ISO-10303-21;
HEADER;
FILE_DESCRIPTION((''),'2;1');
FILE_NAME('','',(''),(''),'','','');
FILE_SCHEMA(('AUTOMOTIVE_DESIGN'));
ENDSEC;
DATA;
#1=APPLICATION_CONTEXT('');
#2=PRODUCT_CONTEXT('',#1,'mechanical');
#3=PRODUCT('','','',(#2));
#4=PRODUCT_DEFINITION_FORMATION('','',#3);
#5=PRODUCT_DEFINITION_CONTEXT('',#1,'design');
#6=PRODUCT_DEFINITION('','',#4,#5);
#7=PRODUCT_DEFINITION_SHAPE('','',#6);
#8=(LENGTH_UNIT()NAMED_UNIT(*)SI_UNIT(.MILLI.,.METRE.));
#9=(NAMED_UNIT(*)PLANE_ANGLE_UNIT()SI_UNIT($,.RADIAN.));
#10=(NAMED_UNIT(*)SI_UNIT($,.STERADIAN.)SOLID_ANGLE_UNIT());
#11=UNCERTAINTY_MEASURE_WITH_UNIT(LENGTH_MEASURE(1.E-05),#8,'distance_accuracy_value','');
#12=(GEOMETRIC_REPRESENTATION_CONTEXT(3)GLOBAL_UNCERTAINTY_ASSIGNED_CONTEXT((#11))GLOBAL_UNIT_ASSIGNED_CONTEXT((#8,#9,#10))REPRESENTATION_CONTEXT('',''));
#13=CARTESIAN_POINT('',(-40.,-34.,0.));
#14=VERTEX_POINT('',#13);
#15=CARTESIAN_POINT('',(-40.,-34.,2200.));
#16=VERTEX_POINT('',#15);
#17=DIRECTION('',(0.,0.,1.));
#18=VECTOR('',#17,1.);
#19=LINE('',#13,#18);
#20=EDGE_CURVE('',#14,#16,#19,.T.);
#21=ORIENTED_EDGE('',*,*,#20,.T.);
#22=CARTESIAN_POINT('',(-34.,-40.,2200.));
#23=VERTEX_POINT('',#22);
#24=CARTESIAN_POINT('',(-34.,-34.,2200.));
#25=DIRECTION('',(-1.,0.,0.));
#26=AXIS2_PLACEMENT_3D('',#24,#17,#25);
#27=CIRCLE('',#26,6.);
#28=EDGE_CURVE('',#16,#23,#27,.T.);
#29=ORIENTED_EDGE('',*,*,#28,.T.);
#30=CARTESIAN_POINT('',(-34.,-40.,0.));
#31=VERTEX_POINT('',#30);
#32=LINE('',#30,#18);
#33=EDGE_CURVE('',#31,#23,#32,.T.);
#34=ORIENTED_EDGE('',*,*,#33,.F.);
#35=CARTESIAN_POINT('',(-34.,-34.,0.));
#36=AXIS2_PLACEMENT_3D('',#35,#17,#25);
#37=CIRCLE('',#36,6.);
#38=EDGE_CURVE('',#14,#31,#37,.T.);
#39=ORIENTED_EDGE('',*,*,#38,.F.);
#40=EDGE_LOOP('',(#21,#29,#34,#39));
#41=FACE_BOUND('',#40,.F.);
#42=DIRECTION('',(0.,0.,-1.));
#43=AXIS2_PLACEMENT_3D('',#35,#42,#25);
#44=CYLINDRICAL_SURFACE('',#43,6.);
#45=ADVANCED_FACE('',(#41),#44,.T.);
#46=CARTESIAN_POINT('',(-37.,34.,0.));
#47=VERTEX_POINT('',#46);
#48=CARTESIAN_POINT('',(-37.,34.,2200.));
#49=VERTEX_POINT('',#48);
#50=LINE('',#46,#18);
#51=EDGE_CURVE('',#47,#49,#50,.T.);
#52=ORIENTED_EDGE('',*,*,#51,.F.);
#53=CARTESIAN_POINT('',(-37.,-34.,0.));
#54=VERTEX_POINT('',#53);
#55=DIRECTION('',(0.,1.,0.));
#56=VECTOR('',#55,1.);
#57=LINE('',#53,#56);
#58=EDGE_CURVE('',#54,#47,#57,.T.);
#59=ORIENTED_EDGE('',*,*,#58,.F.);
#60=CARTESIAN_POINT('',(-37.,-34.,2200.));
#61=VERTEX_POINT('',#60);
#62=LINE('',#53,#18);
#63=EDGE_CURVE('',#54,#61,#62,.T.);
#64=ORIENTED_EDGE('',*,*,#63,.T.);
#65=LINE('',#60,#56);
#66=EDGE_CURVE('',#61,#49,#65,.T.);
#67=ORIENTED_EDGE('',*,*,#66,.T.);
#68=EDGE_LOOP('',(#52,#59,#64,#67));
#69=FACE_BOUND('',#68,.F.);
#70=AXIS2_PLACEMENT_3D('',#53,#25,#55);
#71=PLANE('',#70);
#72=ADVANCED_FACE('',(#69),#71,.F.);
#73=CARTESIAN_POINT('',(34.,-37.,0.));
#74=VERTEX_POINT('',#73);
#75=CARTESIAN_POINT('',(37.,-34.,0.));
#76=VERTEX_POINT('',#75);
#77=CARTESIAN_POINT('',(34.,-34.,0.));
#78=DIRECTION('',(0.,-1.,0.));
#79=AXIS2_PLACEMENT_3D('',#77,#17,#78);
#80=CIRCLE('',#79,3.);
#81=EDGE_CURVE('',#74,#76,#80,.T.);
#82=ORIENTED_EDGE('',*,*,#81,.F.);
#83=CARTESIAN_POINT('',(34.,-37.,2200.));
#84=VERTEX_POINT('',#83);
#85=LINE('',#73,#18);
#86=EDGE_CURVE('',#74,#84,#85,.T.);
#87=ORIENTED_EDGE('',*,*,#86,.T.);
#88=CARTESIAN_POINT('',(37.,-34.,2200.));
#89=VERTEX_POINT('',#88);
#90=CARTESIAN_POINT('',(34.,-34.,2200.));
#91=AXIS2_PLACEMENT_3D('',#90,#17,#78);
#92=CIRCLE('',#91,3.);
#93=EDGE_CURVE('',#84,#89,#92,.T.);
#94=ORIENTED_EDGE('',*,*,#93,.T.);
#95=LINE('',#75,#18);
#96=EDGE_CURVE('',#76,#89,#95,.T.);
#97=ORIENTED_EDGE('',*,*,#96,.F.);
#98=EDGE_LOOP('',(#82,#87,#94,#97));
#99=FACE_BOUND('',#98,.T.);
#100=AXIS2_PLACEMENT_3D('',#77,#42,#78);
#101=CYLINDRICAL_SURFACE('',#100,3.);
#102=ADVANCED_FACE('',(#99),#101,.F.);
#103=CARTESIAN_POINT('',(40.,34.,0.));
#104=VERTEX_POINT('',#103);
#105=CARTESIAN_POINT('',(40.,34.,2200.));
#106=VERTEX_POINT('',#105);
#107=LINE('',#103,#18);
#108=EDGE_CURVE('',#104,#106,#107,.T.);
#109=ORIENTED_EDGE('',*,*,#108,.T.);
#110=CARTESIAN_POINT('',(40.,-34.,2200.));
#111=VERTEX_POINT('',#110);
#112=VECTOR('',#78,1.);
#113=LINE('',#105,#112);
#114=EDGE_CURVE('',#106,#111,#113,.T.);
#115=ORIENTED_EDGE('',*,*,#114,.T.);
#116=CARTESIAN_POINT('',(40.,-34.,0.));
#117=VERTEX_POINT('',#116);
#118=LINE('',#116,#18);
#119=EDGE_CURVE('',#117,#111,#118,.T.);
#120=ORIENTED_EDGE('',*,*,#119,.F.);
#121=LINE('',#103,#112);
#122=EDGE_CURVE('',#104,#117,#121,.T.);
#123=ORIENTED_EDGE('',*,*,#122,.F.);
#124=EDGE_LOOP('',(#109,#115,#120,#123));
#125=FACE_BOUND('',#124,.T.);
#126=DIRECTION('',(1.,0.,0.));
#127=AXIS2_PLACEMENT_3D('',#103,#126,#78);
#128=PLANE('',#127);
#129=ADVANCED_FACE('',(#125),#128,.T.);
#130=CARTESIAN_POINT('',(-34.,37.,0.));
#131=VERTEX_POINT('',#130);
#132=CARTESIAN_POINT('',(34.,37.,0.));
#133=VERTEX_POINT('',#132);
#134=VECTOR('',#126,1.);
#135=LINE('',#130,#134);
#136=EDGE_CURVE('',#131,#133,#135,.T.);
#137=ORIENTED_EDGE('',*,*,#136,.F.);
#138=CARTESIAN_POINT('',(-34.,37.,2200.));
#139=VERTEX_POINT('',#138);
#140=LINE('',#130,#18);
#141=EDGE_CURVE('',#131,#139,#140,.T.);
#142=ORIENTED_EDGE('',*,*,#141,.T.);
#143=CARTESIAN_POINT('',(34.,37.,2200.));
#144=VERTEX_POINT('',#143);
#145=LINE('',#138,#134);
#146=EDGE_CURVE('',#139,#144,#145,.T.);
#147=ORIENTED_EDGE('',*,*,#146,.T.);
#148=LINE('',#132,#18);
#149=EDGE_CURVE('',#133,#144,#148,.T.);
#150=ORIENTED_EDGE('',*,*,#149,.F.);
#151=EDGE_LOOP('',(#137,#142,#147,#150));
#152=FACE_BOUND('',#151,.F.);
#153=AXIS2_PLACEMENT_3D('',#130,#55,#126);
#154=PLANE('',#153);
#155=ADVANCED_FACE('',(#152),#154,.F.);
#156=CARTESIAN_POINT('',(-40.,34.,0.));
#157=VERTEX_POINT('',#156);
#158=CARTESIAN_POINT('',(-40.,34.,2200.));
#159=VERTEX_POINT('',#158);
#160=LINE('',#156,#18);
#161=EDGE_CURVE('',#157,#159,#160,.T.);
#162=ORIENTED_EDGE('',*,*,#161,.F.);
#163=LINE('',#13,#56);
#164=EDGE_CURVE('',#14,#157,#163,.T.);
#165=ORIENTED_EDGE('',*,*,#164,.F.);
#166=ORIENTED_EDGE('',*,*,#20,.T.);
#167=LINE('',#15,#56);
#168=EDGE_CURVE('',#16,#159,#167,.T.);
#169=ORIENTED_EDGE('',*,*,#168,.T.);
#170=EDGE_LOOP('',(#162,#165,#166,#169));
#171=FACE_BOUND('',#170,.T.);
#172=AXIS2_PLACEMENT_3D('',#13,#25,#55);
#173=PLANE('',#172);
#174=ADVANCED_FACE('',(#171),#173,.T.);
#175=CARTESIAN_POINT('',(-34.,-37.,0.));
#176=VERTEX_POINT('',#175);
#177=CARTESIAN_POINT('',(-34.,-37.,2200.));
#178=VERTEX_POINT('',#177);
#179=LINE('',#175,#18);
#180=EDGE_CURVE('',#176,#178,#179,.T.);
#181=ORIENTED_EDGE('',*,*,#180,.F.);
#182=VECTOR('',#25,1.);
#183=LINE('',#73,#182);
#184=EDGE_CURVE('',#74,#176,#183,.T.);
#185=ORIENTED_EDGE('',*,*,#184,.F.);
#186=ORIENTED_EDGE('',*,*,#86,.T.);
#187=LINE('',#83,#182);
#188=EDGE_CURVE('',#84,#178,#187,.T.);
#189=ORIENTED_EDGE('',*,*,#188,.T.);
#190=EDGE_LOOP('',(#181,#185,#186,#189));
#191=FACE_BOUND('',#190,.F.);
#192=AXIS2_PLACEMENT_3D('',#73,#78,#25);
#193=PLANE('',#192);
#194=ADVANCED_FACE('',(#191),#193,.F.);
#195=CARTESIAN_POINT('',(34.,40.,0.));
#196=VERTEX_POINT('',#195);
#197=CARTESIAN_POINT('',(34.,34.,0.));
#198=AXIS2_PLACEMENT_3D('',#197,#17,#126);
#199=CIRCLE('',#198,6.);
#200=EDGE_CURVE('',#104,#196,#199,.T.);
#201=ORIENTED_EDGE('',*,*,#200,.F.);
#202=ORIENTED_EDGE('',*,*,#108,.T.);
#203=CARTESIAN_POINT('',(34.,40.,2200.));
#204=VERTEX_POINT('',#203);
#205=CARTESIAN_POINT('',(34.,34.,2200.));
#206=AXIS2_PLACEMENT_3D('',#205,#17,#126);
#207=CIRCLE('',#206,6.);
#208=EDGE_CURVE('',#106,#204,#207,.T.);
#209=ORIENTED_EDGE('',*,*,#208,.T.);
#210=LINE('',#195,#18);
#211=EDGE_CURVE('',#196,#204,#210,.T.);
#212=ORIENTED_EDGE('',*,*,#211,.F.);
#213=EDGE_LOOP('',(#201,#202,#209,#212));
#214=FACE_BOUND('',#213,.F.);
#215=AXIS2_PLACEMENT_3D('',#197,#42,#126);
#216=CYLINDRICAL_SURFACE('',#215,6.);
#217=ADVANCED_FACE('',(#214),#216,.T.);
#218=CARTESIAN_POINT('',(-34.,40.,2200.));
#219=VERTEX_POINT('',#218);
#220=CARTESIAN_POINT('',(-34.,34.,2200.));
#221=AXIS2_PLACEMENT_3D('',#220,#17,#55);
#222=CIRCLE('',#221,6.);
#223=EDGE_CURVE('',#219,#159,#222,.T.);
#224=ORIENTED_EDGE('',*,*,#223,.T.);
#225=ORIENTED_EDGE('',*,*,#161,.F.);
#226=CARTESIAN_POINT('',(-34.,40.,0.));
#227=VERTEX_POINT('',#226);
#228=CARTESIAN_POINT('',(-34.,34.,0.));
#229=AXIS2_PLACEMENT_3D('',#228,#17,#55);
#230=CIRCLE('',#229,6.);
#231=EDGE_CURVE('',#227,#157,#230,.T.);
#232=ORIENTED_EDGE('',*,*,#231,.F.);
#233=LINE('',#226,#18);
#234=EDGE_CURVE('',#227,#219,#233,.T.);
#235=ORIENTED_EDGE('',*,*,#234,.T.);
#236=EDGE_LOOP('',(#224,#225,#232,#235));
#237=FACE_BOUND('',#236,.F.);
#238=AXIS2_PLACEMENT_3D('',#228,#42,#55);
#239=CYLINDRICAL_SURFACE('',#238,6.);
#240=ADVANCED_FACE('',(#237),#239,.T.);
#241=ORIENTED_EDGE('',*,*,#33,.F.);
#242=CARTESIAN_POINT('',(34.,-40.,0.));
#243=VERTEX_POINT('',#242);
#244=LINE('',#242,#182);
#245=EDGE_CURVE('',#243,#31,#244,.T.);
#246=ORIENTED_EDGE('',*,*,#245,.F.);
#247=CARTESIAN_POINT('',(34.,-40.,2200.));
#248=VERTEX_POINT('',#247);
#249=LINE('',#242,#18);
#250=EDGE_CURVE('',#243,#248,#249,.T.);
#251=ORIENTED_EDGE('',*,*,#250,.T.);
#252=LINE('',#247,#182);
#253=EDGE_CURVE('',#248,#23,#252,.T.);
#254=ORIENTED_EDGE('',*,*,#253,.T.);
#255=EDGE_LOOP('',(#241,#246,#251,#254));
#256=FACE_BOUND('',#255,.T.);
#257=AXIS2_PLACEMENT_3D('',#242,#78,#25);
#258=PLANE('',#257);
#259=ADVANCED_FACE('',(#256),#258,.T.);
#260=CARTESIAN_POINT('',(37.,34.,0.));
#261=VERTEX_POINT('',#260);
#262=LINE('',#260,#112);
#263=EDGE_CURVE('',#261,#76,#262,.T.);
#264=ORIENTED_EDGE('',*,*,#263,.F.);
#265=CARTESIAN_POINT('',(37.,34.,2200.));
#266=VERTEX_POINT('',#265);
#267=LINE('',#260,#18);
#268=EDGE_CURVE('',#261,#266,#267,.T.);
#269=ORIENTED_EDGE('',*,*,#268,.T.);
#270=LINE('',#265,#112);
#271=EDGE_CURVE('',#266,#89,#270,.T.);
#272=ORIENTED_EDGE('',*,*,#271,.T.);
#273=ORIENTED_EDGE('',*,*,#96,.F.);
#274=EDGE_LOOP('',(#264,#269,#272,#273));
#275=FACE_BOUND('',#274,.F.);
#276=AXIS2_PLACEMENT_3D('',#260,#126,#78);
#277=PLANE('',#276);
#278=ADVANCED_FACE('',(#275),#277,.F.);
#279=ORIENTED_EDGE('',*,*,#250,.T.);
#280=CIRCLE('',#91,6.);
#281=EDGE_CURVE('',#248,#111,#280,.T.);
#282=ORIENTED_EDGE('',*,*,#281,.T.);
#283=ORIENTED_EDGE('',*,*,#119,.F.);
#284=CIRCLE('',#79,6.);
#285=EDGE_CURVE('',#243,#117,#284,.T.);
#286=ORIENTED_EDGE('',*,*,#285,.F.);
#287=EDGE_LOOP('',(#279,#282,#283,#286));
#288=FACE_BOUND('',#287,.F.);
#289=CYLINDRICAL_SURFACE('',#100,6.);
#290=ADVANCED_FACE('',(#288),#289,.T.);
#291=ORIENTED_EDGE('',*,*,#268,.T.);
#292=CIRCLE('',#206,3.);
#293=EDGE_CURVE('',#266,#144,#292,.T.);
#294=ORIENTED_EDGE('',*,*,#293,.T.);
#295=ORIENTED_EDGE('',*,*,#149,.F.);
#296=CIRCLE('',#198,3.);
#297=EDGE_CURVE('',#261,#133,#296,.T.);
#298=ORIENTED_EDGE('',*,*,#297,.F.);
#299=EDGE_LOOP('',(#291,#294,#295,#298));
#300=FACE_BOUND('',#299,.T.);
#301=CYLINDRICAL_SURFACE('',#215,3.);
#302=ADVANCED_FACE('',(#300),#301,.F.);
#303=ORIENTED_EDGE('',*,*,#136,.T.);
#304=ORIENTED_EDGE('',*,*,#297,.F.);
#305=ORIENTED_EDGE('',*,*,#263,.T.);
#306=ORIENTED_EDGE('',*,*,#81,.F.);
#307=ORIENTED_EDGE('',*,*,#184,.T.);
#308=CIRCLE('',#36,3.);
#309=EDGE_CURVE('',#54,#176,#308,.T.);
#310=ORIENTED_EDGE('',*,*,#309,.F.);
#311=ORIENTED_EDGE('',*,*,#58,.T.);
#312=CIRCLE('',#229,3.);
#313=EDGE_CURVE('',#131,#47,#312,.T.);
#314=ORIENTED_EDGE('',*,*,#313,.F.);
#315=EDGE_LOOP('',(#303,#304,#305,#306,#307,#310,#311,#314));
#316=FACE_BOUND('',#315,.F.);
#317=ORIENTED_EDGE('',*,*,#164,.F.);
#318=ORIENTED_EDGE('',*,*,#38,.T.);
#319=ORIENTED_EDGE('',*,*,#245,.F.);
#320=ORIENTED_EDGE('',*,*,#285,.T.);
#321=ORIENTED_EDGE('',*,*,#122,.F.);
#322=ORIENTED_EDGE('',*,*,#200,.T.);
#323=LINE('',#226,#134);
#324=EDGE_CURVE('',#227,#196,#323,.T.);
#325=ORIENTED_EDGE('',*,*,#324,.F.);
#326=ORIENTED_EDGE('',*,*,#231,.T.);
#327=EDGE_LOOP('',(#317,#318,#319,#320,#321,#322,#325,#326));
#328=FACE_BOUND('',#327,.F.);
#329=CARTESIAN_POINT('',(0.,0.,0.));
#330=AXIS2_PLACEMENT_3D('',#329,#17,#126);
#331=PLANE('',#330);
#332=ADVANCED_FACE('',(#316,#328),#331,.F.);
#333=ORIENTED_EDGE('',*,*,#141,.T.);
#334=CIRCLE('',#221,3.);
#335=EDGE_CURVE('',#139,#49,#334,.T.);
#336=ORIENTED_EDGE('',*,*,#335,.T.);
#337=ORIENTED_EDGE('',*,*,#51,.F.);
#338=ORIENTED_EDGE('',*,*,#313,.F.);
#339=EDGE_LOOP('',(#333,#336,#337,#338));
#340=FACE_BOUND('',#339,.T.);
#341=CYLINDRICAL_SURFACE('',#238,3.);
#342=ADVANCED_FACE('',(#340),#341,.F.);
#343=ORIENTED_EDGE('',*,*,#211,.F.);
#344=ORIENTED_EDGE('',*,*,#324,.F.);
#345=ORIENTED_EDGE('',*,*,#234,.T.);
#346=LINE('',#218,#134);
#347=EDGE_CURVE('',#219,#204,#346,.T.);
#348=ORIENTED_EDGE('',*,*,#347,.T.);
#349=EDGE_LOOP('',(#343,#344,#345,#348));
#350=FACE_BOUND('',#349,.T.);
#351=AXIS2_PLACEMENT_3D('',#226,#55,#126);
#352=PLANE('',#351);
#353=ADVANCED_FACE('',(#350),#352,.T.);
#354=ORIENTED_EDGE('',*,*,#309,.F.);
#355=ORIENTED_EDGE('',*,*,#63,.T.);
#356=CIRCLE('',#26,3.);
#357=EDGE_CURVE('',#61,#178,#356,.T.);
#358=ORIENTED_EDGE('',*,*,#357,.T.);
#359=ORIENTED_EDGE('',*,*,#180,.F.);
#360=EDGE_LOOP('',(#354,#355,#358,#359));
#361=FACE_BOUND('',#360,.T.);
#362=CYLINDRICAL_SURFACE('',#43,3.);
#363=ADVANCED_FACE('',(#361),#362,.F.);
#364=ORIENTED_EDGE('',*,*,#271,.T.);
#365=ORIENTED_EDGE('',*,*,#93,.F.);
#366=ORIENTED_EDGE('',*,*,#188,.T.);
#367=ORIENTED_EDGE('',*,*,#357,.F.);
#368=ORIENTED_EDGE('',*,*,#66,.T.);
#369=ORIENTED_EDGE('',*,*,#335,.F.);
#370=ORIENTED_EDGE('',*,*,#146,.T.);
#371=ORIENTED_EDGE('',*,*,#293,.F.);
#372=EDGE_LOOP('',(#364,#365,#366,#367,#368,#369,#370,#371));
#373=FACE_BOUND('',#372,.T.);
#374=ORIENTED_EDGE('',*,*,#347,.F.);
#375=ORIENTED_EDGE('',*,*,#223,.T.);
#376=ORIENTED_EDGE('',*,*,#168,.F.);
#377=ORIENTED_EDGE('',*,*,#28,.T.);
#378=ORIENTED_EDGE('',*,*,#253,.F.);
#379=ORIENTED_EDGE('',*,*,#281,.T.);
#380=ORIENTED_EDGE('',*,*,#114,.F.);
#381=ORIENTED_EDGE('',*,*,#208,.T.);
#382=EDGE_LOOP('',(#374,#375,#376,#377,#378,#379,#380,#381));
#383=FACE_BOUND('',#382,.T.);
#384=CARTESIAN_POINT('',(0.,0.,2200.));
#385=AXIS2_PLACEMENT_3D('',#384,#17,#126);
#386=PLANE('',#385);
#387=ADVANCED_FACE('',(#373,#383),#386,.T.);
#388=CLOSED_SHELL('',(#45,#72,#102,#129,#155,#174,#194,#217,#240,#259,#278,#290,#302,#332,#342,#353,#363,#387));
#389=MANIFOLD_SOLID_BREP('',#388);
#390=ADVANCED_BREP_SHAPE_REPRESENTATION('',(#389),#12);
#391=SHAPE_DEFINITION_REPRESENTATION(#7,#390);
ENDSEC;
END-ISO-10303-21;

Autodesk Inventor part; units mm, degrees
ref_plane "YZ Plane" through (0, 0, 0) normal (1, 0, 0) x (0, 1, 0)
ref_plane "Start plane" through (0, 0, 0) normal (0, 0, 1) x (1, 0, 0)
ref_plane "End plane" through (0, 0, 2200) normal (0, 0, 1) x (1, 0, 0)
sketch "Sketch" plane through (0, 0, 0) normal (0, 0, 1) x (1, 0, 0)
  line L0 (-40, -34) -> (-40, 34)
  line L1 (-34, 40) -> (34, 40)
  line L2 (40, 34) -> (40, -34)
  line L3 (34, -40) -> (-34, -40)
  arc A0 (-40, -34) -> (-34, -40) centre (-34, -34) ccw
  arc A1 (40, 34) -> (34, 40) centre (34, 34) ccw
  arc A2 (-34, 40) -> (-40, 34) centre (-34, 34) ccw
  arc A3 (34, -40) -> (40, -34) centre (34, -34) ccw
  arc A4 (-34, 37) -> (-37, 34) centre (-34, 34) ccw
  line L4 (-34, 37) -> (34, 37)
  arc A5 (37, 34) -> (34, 37) centre (34, 34) ccw
  line L5 (37, 34) -> (37, -34)
  arc A6 (34, -37) -> (37, -34) centre (34, -34) ccw
  line L6 (34, -37) -> (-34, -37)
  arc A7 (-37, -34) -> (-34, -37) centre (-34, -34) ccw
  line L7 (-37, -34) -> (-37, 34)
  line L8 (0, 43.7397) -> (0, -43.7397) construction
  line L9 (-43.7397, 0) -> (43.7397, 0) construction
  dimension "d7" = 6
  dimension "d9" = 80
  dimension "d11" = 80
  dimension "d12" = 3
  dimension "d15" = 40
  dimension "d16" = 40
extrude "Body" add sketch "Sketch" along normal up to surface (2200 mm away) from surface at 0
sketch "Sketch3" plane through (0, 0, 0) normal (0, 0, 1) x (1, 0, 0)
  line L0 (0, 0) -> (10, 0)
ref_plane "Work Plane3" through (0, 0, 0) normal (0, -1, 0) x (1, 0, 0)
sketch "Sketch4" plane through (0, 0, 0) normal (0, -1, 0) x (1, 0, 0)
  line L0 (-2, 0) -> (12, 0) projected
  line L1 (-2, 2200) -> (12, 2200) projected
  dimension "d18" = 2200
equation "\"d7\" = G_IR"
equation "\"d9\" = G_W"
equation "\"d11\" = G_H"
equation "\"d12\" = G_T"
equation "\"d15\" = 0.5 * d9"
equation "\"d16\" = 0.5 * d11"
equation "\"d3\" = G_L"
equation "\"G_W\" = 80"
equation "\"G_H\" = 80"
equation "\"G_T\" = 3"
equation "\"G_IR\" = 6"
equation "\"G_L\" = d18"
equation "\"G_OFFSET_START\" = 0"
equation "\"G_OFFSET_END\" = 0"
properties part number "ISO 10799-2 - 80x80x3 - 2200" material "Steel, Mild"
